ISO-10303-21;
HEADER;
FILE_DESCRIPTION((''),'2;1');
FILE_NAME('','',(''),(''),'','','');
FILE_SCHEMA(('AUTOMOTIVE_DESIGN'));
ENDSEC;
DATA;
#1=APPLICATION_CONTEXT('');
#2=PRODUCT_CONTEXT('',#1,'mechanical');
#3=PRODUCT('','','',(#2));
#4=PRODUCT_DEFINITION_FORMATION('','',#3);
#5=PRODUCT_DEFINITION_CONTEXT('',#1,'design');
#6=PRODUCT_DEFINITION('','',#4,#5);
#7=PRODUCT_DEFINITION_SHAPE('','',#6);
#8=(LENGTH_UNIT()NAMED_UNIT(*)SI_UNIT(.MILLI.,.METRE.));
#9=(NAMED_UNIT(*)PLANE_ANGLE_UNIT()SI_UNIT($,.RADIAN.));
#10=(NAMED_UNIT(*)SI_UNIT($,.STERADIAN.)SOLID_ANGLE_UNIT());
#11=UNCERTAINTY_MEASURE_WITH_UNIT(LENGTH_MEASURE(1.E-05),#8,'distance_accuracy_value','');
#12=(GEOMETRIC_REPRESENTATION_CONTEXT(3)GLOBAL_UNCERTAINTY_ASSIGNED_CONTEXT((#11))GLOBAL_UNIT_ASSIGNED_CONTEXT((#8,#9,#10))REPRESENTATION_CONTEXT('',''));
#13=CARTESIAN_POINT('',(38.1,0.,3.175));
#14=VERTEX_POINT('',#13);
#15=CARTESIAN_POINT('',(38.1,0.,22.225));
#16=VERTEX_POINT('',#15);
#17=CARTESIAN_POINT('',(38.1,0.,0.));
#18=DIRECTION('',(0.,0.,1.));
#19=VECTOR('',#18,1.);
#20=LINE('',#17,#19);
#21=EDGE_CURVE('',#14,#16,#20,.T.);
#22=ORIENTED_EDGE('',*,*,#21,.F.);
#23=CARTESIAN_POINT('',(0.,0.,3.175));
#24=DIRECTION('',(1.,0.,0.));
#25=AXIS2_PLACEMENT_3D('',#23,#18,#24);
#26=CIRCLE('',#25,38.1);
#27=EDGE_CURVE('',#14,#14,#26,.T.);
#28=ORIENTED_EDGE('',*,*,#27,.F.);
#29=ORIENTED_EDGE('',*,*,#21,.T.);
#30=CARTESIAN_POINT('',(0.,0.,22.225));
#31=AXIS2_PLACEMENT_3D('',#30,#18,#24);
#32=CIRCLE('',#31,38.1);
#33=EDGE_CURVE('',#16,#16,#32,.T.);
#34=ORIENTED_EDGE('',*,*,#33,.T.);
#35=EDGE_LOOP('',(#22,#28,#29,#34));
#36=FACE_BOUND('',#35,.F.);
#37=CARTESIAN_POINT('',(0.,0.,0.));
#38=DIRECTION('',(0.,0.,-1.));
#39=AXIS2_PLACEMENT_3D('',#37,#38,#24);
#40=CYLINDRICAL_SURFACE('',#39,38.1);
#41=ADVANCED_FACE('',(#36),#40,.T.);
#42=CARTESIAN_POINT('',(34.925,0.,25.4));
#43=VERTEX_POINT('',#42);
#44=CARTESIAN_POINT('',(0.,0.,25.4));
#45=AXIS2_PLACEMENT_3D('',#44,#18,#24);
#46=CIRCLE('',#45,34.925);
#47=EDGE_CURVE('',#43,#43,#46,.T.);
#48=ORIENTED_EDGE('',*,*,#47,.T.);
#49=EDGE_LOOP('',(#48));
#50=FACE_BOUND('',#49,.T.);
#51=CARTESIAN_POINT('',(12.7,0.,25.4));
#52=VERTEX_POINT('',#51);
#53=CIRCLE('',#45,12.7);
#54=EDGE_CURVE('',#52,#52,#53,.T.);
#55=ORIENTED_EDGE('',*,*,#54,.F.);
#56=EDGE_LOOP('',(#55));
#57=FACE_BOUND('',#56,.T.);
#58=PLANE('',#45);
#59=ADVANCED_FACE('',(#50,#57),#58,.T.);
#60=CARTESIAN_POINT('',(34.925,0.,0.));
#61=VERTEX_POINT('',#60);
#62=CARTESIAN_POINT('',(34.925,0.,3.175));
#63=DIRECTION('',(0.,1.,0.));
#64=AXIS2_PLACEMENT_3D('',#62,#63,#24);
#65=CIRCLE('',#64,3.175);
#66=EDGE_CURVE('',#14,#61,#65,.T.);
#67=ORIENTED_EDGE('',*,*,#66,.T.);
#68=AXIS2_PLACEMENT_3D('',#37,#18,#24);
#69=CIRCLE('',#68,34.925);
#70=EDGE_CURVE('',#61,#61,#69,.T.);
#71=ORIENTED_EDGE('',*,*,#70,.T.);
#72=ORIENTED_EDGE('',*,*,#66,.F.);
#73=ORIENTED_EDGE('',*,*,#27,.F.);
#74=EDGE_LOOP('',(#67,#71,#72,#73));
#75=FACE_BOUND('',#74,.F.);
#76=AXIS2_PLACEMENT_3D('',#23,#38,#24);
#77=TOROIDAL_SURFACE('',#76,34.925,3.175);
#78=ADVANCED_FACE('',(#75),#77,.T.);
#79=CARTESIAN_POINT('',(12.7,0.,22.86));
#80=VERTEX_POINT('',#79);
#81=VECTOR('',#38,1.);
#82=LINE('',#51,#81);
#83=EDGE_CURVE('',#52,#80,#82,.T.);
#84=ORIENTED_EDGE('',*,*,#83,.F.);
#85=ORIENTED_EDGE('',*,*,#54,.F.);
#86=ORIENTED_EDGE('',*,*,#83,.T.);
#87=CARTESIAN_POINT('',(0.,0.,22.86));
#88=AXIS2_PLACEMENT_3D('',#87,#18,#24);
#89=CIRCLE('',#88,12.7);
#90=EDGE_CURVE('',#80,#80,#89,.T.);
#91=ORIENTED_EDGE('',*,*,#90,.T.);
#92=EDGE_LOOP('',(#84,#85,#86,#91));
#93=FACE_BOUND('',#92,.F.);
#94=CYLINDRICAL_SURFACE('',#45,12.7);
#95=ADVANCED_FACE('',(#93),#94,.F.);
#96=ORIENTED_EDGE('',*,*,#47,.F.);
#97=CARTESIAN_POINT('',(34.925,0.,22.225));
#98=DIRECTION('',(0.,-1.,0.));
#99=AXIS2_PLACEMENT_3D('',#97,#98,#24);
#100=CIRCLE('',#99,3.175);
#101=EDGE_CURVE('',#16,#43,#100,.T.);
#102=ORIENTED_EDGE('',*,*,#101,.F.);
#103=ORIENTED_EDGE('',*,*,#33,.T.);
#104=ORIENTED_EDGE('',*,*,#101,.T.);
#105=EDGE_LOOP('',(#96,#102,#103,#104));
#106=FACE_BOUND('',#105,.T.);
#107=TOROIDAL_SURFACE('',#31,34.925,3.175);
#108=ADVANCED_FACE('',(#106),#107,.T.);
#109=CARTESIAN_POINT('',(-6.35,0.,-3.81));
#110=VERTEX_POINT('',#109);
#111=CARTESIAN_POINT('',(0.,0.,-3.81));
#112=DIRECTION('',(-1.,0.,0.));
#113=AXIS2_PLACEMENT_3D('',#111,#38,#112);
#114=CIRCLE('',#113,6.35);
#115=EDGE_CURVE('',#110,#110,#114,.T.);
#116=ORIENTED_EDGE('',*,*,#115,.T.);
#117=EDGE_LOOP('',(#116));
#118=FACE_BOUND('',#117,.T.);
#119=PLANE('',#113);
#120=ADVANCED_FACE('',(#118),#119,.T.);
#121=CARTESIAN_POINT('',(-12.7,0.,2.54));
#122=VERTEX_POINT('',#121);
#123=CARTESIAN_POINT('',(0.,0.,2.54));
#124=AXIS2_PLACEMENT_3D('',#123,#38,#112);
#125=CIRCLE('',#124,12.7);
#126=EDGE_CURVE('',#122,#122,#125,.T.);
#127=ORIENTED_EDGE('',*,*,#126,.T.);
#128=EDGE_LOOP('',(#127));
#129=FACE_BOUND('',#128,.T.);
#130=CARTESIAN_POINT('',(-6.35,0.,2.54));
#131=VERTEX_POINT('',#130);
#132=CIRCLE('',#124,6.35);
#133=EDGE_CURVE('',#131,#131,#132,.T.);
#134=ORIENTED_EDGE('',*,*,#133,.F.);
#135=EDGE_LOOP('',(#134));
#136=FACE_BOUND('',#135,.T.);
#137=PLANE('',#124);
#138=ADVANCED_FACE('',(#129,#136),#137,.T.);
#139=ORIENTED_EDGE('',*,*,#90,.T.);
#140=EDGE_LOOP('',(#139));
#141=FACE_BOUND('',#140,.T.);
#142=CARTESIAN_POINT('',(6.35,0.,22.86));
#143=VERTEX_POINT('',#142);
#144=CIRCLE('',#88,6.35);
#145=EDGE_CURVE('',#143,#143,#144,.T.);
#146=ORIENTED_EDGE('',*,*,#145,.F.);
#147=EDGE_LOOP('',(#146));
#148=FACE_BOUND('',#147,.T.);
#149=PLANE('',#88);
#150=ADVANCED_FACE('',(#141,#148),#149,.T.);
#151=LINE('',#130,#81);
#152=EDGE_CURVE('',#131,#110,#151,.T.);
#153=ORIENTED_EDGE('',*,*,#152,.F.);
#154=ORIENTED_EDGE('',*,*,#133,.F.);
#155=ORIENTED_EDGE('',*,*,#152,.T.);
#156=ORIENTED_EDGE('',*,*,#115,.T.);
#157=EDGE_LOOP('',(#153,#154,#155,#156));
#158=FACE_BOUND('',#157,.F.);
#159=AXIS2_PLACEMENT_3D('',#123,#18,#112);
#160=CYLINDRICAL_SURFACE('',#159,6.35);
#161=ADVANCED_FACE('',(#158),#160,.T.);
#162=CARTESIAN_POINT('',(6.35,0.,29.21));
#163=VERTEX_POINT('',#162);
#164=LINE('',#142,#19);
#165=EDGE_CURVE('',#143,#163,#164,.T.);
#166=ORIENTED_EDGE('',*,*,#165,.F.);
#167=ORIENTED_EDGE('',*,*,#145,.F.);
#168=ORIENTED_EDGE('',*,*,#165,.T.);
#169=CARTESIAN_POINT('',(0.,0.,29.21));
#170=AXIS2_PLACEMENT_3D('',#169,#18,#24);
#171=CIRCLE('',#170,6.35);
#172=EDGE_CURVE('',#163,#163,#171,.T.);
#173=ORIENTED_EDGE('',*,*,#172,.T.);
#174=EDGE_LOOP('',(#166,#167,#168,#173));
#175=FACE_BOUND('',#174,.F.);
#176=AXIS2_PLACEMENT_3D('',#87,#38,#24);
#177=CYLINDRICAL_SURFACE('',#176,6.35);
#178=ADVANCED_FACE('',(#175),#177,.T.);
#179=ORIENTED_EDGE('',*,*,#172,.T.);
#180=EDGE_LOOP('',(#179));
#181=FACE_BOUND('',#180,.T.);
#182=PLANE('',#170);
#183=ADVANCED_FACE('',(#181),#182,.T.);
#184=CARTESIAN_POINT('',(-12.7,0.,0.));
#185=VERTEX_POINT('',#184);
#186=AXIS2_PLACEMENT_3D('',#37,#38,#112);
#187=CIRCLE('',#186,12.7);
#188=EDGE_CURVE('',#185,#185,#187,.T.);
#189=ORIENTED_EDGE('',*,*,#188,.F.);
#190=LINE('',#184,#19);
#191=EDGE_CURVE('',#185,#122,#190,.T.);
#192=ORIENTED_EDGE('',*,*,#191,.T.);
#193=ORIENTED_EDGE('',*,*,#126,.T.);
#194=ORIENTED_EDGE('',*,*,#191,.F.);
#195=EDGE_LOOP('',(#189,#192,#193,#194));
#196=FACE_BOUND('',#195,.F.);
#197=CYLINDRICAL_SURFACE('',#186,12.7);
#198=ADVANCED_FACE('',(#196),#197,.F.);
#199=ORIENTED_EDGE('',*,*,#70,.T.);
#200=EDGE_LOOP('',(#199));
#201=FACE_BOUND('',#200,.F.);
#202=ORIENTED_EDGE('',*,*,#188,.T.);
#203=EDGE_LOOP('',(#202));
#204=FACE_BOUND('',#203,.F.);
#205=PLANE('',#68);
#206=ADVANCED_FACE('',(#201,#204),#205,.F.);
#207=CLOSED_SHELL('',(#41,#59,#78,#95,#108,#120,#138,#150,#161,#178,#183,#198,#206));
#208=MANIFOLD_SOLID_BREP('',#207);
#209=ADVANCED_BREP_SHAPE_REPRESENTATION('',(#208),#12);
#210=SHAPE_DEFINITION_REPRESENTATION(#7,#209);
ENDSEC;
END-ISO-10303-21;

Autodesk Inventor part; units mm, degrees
ref_plane "YZ Plane" through (0, 0, 0) normal (1, 0, 0) x (0, 1, 0)
ref_plane "XZ Plane" through (0, 0, 0) normal (0, 1, 0) x (-1, 0, 0)
ref_plane "XY Plane" through (0, 0, 0) normal (0, 0, 1) x (1, 0, 0)
sketch "Sketch1" plane through (0, 0, 0) normal (0, 0, 1) x (1, 0, 0)
  circle A0 centre (0, 0) radius 38.1
  dimension "d0" = 76.2
extrude "Extrusion1" add sketch "Sketch1" along normal blind 25.4
sketch "Sketch2" plane through (0, 0, 25.4) normal (0, 0, 1) x (1, 0, 0)
  circle A0 centre (0, 0) radius 38.1 projected
  circle A1 centre (0, 0) radius 12.7
  dimension "d3" = 25.4
extrude "Extrusion2" cut sketch "Sketch2" against normal blind 2.54 contours A1
sketch "Sketch3" plane through (0, 0, 0) normal (0, 0, -1) x (-1, 0, 0)
  circle A0 centre (0, 0) radius 38.1 projected
  circle A1 centre (0, 0) radius 12.7
  dimension "d6" = 25.4
extrude "Extrusion3" cut sketch "Sketch3" against normal blind 2.54 contours A1
fillet "Fillet1" radius 3.175 2 edges at (-38.1, 0, 25.4) (-38.1, 0, 0)
sketch "Sketch4" plane through (0, 0, 22.86) normal (0, 0, 1) x (1, 0, 0)
  circle A0 centre (0, 0) radius 12.7 projected
  circle A1 centre (0, 0) radius 6.35
  dimension "d10" = 12.7
extrude "Extrusion4" add sketch "Sketch4" along normal blind 6.35 contours A1
sketch "Sketch5" plane through (0, 0, 2.54) normal (0, 0, -1) x (-1, 0, 0)
  circle A0 centre (0, 0) radius 12.7 projected
  circle A1 centre (0, 0) radius 6.35
  dimension "d13" = 12.7
extrude "Extrusion5" add sketch "Sketch5" along normal blind 6.35 contours A1
properties part number "rubber wheel"
